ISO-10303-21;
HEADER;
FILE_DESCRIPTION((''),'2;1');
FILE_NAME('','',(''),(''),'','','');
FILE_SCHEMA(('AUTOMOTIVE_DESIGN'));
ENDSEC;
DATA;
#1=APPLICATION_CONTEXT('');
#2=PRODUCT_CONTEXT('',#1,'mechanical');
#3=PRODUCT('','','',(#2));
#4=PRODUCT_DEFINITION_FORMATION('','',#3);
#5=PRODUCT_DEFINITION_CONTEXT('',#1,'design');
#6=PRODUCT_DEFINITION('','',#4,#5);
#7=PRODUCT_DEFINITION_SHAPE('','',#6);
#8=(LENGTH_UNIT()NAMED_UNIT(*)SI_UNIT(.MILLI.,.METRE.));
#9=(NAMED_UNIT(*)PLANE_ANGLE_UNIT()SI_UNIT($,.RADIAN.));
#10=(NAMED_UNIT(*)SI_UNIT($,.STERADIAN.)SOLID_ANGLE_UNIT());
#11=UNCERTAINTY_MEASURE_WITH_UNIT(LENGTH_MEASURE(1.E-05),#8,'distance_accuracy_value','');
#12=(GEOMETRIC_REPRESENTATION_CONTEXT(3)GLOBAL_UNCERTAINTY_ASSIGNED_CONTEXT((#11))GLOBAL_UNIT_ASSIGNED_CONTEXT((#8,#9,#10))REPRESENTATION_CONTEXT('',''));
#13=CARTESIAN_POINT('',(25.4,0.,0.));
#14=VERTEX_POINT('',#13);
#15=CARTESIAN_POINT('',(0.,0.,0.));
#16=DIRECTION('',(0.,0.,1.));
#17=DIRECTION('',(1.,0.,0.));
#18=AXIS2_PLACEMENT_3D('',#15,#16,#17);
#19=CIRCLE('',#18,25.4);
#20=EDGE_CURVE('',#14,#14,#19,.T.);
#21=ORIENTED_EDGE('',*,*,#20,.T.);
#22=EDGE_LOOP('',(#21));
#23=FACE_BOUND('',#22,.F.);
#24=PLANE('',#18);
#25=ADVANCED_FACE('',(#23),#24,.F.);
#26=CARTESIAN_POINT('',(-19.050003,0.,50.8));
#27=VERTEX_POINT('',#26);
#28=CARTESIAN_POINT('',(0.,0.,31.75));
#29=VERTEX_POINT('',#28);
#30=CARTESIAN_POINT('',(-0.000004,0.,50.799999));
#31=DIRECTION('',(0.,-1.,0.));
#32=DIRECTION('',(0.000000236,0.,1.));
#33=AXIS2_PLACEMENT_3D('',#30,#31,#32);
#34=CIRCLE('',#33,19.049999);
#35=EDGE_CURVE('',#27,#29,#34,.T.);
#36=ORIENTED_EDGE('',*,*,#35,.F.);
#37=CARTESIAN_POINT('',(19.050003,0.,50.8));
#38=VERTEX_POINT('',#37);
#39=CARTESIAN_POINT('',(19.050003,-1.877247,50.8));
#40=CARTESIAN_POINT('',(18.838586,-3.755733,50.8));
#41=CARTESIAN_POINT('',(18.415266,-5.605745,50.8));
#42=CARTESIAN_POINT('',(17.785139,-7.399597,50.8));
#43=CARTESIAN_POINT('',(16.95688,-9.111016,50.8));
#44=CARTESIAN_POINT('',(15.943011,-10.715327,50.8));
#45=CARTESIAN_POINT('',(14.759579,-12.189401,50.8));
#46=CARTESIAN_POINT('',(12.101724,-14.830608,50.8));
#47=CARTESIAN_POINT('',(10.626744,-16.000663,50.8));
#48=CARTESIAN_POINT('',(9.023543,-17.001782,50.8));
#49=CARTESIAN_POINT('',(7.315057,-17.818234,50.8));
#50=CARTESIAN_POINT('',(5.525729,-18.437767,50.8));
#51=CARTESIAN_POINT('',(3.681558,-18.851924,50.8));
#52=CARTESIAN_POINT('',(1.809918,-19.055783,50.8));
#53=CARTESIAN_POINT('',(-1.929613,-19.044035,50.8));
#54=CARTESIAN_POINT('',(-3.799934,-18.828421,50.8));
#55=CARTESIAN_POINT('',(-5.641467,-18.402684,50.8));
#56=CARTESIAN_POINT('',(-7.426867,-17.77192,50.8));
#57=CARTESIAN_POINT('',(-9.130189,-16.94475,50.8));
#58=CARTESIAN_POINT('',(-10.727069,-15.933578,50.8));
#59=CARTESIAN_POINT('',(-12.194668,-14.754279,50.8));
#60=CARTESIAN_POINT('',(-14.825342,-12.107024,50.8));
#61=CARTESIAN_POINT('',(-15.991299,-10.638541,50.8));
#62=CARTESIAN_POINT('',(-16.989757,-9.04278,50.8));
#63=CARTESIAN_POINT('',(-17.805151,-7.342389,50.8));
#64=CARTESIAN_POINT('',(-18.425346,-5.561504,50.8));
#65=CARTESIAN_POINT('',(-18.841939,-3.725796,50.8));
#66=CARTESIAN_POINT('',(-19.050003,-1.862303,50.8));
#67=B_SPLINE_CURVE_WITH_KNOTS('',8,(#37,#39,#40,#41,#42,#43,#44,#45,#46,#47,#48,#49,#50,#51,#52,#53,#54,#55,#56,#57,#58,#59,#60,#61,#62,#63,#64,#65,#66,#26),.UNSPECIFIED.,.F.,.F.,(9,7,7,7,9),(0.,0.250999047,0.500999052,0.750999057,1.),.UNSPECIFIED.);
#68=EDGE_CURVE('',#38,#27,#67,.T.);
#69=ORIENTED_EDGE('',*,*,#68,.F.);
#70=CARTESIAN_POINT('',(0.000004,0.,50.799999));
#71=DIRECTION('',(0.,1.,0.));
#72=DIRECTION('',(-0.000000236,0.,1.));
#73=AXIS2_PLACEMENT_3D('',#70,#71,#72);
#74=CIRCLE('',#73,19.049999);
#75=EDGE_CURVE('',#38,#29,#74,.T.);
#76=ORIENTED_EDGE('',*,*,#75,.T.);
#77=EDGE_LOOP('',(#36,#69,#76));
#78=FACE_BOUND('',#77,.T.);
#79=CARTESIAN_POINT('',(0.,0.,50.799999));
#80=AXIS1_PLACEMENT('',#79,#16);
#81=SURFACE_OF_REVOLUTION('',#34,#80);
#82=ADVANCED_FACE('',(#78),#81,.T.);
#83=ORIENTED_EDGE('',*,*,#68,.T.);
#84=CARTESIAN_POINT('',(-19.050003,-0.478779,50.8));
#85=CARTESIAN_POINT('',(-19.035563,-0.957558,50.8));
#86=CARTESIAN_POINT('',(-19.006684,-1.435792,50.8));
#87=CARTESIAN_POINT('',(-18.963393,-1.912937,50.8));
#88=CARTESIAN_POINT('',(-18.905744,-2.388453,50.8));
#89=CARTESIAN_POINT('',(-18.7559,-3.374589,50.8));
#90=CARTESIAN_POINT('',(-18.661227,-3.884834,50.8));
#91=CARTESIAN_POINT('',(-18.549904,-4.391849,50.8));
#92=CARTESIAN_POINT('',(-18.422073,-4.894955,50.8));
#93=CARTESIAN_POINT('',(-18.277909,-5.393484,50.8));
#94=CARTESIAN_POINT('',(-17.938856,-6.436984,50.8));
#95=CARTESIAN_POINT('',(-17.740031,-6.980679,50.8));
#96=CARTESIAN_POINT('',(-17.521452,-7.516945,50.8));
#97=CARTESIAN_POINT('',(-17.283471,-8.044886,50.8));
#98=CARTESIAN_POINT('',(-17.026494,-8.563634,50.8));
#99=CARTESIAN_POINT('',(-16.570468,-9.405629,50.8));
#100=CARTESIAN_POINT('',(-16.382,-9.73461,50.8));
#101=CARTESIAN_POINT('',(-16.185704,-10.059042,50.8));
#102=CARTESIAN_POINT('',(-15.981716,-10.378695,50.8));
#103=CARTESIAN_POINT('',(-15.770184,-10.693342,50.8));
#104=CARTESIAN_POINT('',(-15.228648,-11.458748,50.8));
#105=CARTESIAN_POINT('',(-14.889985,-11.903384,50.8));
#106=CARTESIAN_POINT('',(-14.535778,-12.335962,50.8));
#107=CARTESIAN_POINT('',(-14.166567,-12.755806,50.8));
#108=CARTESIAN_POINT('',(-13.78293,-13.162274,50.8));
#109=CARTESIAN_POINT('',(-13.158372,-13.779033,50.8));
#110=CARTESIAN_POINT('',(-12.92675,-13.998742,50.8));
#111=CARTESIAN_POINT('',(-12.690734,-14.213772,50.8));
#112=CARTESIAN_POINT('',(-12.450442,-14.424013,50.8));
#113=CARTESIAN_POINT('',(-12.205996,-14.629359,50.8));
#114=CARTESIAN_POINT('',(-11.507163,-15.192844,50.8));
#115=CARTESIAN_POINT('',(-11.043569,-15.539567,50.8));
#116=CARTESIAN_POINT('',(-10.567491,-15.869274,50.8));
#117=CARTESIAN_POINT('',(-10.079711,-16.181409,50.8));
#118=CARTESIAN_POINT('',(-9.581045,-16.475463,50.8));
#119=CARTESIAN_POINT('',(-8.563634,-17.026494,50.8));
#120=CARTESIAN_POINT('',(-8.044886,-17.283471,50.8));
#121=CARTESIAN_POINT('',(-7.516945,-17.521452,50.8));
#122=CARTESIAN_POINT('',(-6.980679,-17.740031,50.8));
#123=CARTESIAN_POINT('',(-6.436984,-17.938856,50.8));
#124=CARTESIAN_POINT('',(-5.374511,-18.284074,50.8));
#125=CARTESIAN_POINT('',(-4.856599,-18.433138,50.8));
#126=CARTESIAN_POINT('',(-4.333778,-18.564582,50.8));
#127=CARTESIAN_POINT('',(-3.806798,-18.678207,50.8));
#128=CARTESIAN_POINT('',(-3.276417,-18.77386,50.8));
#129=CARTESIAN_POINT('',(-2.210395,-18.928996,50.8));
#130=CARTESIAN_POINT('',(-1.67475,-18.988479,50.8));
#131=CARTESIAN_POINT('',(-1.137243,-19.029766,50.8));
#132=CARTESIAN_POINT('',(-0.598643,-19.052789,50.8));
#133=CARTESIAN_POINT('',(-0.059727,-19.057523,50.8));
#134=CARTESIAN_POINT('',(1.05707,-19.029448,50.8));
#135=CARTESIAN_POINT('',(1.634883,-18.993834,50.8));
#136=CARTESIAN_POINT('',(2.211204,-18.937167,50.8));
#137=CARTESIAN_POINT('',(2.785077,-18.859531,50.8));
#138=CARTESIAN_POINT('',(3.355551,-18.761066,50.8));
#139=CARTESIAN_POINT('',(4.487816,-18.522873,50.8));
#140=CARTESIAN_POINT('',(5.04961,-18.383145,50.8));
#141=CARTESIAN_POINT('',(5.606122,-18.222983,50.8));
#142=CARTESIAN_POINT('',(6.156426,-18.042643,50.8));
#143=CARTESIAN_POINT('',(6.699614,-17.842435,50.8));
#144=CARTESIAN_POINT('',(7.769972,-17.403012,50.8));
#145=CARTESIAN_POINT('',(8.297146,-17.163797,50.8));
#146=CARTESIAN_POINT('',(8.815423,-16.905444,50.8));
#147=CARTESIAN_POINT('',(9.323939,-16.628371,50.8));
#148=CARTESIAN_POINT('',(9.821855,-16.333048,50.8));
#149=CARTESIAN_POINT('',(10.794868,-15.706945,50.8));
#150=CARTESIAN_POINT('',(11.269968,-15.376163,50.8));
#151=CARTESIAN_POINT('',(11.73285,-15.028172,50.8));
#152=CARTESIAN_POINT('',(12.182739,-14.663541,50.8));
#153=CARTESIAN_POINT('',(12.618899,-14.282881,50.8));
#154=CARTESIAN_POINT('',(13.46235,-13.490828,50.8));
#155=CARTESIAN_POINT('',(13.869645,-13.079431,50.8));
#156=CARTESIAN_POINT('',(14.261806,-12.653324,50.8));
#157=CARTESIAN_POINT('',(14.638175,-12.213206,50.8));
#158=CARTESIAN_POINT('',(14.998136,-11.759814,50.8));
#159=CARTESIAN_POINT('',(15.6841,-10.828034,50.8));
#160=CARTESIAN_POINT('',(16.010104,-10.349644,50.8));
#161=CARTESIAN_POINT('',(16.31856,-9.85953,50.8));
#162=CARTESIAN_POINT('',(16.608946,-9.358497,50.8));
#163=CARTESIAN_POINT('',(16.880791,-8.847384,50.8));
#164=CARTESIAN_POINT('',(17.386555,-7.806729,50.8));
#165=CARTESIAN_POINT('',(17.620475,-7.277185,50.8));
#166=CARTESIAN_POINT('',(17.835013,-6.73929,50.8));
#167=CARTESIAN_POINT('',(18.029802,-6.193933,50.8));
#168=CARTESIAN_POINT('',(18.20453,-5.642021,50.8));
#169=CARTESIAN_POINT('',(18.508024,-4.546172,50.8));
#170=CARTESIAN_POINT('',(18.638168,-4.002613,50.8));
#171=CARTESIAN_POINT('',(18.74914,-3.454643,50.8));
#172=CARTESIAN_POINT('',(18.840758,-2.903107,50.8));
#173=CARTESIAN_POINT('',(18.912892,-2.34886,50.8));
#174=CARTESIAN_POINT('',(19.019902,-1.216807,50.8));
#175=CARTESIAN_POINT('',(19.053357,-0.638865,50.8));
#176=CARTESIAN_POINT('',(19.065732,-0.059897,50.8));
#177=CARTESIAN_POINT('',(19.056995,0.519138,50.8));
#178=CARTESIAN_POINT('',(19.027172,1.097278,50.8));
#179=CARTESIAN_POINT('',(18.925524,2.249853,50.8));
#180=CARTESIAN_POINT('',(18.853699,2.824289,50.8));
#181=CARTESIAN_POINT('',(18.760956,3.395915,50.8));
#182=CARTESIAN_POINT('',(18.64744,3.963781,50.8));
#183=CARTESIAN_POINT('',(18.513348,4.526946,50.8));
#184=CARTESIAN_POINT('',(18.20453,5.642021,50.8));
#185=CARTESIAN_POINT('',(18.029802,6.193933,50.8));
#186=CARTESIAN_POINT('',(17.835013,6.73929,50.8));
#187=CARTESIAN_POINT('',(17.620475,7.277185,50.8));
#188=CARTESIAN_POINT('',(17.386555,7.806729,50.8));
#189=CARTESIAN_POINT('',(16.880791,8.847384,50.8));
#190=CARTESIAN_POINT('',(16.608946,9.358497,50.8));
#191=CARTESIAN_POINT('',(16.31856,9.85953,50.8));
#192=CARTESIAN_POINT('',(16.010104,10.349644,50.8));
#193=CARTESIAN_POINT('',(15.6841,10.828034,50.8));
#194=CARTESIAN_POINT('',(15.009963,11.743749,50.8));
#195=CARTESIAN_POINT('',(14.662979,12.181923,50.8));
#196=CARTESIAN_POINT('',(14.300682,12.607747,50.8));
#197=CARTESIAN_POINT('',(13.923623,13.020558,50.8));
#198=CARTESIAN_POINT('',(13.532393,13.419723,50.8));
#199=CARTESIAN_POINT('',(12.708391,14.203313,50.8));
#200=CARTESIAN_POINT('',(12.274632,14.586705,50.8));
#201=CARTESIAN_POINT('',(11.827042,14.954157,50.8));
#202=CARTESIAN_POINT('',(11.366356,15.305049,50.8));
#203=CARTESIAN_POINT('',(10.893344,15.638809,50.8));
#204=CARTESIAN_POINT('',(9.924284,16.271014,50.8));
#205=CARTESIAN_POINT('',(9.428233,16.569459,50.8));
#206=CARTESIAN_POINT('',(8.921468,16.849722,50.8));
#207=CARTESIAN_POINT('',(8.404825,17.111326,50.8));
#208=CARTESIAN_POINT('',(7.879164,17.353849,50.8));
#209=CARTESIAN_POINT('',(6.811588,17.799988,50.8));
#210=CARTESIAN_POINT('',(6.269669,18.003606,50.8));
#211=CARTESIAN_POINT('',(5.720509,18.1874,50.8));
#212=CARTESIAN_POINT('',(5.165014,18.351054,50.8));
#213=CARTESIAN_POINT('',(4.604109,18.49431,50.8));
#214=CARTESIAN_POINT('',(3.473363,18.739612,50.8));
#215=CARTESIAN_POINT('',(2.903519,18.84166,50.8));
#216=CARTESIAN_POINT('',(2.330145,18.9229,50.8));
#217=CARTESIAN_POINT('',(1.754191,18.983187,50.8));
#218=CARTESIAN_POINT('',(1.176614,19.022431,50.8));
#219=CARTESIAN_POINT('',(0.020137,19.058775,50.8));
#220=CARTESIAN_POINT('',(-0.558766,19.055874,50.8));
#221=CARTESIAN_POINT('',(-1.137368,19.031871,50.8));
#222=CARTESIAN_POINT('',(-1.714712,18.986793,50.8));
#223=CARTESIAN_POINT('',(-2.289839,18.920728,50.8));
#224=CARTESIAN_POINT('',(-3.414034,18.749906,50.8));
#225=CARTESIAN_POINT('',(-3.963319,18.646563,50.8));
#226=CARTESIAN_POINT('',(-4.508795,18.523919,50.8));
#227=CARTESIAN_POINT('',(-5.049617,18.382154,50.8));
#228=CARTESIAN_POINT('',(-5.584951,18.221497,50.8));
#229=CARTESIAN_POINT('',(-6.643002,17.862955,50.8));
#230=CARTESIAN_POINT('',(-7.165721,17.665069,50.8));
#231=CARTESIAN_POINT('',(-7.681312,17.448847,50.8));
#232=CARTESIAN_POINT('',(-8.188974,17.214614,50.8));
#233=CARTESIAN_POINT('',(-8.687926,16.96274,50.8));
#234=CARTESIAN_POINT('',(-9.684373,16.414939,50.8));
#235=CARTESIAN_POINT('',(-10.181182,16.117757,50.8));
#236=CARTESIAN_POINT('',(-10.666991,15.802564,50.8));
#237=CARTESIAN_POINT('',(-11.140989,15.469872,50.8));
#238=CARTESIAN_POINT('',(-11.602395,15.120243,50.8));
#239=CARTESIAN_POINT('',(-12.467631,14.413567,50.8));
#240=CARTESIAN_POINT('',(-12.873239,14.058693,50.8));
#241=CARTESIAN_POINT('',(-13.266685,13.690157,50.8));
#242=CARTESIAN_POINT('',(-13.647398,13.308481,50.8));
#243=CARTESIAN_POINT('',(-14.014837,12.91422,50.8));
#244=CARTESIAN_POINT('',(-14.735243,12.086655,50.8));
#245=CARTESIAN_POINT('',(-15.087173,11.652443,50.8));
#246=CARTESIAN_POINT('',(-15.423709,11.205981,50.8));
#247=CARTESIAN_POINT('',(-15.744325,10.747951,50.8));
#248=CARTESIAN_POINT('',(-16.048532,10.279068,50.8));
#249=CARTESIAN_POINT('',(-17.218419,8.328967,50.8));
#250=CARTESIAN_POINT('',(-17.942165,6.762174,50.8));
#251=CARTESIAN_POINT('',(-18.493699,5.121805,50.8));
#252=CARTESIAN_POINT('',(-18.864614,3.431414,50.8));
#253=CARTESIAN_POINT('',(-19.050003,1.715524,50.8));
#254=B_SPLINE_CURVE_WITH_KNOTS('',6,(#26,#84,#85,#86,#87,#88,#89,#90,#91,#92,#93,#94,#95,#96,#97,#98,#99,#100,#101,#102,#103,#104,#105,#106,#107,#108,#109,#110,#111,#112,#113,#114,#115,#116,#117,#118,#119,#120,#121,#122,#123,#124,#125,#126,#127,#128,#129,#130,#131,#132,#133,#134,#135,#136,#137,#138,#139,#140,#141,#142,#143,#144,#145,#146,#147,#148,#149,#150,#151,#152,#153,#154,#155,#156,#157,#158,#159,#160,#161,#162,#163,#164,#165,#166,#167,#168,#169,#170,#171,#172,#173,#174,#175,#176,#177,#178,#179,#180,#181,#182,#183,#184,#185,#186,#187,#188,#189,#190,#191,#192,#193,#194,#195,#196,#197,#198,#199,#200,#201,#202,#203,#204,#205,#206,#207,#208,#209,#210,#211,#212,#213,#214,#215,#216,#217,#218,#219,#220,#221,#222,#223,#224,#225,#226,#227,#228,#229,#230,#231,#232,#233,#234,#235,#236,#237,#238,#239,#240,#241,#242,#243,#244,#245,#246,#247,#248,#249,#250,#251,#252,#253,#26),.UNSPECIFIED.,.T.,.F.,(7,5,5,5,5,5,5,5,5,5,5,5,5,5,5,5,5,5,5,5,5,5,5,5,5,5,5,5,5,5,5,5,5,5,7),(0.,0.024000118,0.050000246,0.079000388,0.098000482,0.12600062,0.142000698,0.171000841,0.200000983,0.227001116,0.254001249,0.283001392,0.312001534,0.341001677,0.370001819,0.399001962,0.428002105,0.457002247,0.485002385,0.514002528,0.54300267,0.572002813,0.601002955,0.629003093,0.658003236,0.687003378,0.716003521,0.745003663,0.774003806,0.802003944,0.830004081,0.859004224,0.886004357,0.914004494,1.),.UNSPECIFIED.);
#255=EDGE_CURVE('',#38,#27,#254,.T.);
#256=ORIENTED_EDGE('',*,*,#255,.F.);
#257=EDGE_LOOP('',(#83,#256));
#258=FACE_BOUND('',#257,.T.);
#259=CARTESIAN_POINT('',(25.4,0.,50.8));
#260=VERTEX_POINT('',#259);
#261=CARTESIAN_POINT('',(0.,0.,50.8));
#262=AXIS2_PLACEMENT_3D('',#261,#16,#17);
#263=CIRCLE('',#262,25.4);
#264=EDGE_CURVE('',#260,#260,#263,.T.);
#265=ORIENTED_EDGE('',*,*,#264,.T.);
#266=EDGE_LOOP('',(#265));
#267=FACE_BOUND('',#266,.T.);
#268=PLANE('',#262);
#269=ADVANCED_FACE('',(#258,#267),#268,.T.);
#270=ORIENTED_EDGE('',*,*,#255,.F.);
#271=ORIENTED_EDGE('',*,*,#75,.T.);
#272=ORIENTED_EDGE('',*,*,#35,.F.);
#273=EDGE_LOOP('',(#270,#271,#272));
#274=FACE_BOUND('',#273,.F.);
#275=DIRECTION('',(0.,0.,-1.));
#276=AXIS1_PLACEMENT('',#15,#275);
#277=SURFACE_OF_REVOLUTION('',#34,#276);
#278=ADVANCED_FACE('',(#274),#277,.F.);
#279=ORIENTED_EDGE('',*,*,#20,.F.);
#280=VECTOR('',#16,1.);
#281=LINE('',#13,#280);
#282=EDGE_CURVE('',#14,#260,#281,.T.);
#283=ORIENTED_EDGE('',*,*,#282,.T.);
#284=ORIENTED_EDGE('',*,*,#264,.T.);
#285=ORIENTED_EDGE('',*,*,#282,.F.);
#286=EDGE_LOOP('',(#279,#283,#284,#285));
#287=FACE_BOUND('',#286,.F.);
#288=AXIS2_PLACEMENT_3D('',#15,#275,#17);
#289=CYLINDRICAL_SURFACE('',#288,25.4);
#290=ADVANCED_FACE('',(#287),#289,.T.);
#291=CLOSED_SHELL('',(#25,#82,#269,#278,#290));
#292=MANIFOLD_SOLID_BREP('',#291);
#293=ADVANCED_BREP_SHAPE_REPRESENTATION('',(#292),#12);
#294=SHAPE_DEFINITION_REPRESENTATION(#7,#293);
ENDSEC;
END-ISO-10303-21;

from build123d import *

# Parameters (mm, degrees)
F0_R     = 25.4
F1_DEPTH = 50.8
F3_ANGLE = -180


with BuildPart() as f1:
    # F0 (on Top) → F1 (new body)
    with BuildSketch(Plane.XY):
        Circle(F0_R)
    extrude(amount=F1_DEPTH)

    # F2 (on Front) → F3 (revolve, cut)
    with BuildSketch(Plane.XZ):
        with BuildLine():
            Line((0, 31.75), (0, 69.849997))
            ThreePointArc((0, 69.849997), (-19.050003, 50.799999), (0, 31.75))
        make_face()
    revolve(axis=Axis((0, 0, 50.799999), (0, 0, -1)), revolution_arc=F3_ANGLE, mode=Mode.SUBTRACT)

    # F2 (on Front) → F4 (revolve, cut)
    with BuildSketch(Plane.XZ):
        with BuildLine():
            Line((0, 31.75), (0, 69.849997))
            ThreePointArc((0, 69.849997), (-19.050003, 50.799999), (0, 31.75))
        make_face()
    revolve(axis=Axis((0, 0, 0), (0, 0, -1)), mode=Mode.SUBTRACT)


solid = f1.part
